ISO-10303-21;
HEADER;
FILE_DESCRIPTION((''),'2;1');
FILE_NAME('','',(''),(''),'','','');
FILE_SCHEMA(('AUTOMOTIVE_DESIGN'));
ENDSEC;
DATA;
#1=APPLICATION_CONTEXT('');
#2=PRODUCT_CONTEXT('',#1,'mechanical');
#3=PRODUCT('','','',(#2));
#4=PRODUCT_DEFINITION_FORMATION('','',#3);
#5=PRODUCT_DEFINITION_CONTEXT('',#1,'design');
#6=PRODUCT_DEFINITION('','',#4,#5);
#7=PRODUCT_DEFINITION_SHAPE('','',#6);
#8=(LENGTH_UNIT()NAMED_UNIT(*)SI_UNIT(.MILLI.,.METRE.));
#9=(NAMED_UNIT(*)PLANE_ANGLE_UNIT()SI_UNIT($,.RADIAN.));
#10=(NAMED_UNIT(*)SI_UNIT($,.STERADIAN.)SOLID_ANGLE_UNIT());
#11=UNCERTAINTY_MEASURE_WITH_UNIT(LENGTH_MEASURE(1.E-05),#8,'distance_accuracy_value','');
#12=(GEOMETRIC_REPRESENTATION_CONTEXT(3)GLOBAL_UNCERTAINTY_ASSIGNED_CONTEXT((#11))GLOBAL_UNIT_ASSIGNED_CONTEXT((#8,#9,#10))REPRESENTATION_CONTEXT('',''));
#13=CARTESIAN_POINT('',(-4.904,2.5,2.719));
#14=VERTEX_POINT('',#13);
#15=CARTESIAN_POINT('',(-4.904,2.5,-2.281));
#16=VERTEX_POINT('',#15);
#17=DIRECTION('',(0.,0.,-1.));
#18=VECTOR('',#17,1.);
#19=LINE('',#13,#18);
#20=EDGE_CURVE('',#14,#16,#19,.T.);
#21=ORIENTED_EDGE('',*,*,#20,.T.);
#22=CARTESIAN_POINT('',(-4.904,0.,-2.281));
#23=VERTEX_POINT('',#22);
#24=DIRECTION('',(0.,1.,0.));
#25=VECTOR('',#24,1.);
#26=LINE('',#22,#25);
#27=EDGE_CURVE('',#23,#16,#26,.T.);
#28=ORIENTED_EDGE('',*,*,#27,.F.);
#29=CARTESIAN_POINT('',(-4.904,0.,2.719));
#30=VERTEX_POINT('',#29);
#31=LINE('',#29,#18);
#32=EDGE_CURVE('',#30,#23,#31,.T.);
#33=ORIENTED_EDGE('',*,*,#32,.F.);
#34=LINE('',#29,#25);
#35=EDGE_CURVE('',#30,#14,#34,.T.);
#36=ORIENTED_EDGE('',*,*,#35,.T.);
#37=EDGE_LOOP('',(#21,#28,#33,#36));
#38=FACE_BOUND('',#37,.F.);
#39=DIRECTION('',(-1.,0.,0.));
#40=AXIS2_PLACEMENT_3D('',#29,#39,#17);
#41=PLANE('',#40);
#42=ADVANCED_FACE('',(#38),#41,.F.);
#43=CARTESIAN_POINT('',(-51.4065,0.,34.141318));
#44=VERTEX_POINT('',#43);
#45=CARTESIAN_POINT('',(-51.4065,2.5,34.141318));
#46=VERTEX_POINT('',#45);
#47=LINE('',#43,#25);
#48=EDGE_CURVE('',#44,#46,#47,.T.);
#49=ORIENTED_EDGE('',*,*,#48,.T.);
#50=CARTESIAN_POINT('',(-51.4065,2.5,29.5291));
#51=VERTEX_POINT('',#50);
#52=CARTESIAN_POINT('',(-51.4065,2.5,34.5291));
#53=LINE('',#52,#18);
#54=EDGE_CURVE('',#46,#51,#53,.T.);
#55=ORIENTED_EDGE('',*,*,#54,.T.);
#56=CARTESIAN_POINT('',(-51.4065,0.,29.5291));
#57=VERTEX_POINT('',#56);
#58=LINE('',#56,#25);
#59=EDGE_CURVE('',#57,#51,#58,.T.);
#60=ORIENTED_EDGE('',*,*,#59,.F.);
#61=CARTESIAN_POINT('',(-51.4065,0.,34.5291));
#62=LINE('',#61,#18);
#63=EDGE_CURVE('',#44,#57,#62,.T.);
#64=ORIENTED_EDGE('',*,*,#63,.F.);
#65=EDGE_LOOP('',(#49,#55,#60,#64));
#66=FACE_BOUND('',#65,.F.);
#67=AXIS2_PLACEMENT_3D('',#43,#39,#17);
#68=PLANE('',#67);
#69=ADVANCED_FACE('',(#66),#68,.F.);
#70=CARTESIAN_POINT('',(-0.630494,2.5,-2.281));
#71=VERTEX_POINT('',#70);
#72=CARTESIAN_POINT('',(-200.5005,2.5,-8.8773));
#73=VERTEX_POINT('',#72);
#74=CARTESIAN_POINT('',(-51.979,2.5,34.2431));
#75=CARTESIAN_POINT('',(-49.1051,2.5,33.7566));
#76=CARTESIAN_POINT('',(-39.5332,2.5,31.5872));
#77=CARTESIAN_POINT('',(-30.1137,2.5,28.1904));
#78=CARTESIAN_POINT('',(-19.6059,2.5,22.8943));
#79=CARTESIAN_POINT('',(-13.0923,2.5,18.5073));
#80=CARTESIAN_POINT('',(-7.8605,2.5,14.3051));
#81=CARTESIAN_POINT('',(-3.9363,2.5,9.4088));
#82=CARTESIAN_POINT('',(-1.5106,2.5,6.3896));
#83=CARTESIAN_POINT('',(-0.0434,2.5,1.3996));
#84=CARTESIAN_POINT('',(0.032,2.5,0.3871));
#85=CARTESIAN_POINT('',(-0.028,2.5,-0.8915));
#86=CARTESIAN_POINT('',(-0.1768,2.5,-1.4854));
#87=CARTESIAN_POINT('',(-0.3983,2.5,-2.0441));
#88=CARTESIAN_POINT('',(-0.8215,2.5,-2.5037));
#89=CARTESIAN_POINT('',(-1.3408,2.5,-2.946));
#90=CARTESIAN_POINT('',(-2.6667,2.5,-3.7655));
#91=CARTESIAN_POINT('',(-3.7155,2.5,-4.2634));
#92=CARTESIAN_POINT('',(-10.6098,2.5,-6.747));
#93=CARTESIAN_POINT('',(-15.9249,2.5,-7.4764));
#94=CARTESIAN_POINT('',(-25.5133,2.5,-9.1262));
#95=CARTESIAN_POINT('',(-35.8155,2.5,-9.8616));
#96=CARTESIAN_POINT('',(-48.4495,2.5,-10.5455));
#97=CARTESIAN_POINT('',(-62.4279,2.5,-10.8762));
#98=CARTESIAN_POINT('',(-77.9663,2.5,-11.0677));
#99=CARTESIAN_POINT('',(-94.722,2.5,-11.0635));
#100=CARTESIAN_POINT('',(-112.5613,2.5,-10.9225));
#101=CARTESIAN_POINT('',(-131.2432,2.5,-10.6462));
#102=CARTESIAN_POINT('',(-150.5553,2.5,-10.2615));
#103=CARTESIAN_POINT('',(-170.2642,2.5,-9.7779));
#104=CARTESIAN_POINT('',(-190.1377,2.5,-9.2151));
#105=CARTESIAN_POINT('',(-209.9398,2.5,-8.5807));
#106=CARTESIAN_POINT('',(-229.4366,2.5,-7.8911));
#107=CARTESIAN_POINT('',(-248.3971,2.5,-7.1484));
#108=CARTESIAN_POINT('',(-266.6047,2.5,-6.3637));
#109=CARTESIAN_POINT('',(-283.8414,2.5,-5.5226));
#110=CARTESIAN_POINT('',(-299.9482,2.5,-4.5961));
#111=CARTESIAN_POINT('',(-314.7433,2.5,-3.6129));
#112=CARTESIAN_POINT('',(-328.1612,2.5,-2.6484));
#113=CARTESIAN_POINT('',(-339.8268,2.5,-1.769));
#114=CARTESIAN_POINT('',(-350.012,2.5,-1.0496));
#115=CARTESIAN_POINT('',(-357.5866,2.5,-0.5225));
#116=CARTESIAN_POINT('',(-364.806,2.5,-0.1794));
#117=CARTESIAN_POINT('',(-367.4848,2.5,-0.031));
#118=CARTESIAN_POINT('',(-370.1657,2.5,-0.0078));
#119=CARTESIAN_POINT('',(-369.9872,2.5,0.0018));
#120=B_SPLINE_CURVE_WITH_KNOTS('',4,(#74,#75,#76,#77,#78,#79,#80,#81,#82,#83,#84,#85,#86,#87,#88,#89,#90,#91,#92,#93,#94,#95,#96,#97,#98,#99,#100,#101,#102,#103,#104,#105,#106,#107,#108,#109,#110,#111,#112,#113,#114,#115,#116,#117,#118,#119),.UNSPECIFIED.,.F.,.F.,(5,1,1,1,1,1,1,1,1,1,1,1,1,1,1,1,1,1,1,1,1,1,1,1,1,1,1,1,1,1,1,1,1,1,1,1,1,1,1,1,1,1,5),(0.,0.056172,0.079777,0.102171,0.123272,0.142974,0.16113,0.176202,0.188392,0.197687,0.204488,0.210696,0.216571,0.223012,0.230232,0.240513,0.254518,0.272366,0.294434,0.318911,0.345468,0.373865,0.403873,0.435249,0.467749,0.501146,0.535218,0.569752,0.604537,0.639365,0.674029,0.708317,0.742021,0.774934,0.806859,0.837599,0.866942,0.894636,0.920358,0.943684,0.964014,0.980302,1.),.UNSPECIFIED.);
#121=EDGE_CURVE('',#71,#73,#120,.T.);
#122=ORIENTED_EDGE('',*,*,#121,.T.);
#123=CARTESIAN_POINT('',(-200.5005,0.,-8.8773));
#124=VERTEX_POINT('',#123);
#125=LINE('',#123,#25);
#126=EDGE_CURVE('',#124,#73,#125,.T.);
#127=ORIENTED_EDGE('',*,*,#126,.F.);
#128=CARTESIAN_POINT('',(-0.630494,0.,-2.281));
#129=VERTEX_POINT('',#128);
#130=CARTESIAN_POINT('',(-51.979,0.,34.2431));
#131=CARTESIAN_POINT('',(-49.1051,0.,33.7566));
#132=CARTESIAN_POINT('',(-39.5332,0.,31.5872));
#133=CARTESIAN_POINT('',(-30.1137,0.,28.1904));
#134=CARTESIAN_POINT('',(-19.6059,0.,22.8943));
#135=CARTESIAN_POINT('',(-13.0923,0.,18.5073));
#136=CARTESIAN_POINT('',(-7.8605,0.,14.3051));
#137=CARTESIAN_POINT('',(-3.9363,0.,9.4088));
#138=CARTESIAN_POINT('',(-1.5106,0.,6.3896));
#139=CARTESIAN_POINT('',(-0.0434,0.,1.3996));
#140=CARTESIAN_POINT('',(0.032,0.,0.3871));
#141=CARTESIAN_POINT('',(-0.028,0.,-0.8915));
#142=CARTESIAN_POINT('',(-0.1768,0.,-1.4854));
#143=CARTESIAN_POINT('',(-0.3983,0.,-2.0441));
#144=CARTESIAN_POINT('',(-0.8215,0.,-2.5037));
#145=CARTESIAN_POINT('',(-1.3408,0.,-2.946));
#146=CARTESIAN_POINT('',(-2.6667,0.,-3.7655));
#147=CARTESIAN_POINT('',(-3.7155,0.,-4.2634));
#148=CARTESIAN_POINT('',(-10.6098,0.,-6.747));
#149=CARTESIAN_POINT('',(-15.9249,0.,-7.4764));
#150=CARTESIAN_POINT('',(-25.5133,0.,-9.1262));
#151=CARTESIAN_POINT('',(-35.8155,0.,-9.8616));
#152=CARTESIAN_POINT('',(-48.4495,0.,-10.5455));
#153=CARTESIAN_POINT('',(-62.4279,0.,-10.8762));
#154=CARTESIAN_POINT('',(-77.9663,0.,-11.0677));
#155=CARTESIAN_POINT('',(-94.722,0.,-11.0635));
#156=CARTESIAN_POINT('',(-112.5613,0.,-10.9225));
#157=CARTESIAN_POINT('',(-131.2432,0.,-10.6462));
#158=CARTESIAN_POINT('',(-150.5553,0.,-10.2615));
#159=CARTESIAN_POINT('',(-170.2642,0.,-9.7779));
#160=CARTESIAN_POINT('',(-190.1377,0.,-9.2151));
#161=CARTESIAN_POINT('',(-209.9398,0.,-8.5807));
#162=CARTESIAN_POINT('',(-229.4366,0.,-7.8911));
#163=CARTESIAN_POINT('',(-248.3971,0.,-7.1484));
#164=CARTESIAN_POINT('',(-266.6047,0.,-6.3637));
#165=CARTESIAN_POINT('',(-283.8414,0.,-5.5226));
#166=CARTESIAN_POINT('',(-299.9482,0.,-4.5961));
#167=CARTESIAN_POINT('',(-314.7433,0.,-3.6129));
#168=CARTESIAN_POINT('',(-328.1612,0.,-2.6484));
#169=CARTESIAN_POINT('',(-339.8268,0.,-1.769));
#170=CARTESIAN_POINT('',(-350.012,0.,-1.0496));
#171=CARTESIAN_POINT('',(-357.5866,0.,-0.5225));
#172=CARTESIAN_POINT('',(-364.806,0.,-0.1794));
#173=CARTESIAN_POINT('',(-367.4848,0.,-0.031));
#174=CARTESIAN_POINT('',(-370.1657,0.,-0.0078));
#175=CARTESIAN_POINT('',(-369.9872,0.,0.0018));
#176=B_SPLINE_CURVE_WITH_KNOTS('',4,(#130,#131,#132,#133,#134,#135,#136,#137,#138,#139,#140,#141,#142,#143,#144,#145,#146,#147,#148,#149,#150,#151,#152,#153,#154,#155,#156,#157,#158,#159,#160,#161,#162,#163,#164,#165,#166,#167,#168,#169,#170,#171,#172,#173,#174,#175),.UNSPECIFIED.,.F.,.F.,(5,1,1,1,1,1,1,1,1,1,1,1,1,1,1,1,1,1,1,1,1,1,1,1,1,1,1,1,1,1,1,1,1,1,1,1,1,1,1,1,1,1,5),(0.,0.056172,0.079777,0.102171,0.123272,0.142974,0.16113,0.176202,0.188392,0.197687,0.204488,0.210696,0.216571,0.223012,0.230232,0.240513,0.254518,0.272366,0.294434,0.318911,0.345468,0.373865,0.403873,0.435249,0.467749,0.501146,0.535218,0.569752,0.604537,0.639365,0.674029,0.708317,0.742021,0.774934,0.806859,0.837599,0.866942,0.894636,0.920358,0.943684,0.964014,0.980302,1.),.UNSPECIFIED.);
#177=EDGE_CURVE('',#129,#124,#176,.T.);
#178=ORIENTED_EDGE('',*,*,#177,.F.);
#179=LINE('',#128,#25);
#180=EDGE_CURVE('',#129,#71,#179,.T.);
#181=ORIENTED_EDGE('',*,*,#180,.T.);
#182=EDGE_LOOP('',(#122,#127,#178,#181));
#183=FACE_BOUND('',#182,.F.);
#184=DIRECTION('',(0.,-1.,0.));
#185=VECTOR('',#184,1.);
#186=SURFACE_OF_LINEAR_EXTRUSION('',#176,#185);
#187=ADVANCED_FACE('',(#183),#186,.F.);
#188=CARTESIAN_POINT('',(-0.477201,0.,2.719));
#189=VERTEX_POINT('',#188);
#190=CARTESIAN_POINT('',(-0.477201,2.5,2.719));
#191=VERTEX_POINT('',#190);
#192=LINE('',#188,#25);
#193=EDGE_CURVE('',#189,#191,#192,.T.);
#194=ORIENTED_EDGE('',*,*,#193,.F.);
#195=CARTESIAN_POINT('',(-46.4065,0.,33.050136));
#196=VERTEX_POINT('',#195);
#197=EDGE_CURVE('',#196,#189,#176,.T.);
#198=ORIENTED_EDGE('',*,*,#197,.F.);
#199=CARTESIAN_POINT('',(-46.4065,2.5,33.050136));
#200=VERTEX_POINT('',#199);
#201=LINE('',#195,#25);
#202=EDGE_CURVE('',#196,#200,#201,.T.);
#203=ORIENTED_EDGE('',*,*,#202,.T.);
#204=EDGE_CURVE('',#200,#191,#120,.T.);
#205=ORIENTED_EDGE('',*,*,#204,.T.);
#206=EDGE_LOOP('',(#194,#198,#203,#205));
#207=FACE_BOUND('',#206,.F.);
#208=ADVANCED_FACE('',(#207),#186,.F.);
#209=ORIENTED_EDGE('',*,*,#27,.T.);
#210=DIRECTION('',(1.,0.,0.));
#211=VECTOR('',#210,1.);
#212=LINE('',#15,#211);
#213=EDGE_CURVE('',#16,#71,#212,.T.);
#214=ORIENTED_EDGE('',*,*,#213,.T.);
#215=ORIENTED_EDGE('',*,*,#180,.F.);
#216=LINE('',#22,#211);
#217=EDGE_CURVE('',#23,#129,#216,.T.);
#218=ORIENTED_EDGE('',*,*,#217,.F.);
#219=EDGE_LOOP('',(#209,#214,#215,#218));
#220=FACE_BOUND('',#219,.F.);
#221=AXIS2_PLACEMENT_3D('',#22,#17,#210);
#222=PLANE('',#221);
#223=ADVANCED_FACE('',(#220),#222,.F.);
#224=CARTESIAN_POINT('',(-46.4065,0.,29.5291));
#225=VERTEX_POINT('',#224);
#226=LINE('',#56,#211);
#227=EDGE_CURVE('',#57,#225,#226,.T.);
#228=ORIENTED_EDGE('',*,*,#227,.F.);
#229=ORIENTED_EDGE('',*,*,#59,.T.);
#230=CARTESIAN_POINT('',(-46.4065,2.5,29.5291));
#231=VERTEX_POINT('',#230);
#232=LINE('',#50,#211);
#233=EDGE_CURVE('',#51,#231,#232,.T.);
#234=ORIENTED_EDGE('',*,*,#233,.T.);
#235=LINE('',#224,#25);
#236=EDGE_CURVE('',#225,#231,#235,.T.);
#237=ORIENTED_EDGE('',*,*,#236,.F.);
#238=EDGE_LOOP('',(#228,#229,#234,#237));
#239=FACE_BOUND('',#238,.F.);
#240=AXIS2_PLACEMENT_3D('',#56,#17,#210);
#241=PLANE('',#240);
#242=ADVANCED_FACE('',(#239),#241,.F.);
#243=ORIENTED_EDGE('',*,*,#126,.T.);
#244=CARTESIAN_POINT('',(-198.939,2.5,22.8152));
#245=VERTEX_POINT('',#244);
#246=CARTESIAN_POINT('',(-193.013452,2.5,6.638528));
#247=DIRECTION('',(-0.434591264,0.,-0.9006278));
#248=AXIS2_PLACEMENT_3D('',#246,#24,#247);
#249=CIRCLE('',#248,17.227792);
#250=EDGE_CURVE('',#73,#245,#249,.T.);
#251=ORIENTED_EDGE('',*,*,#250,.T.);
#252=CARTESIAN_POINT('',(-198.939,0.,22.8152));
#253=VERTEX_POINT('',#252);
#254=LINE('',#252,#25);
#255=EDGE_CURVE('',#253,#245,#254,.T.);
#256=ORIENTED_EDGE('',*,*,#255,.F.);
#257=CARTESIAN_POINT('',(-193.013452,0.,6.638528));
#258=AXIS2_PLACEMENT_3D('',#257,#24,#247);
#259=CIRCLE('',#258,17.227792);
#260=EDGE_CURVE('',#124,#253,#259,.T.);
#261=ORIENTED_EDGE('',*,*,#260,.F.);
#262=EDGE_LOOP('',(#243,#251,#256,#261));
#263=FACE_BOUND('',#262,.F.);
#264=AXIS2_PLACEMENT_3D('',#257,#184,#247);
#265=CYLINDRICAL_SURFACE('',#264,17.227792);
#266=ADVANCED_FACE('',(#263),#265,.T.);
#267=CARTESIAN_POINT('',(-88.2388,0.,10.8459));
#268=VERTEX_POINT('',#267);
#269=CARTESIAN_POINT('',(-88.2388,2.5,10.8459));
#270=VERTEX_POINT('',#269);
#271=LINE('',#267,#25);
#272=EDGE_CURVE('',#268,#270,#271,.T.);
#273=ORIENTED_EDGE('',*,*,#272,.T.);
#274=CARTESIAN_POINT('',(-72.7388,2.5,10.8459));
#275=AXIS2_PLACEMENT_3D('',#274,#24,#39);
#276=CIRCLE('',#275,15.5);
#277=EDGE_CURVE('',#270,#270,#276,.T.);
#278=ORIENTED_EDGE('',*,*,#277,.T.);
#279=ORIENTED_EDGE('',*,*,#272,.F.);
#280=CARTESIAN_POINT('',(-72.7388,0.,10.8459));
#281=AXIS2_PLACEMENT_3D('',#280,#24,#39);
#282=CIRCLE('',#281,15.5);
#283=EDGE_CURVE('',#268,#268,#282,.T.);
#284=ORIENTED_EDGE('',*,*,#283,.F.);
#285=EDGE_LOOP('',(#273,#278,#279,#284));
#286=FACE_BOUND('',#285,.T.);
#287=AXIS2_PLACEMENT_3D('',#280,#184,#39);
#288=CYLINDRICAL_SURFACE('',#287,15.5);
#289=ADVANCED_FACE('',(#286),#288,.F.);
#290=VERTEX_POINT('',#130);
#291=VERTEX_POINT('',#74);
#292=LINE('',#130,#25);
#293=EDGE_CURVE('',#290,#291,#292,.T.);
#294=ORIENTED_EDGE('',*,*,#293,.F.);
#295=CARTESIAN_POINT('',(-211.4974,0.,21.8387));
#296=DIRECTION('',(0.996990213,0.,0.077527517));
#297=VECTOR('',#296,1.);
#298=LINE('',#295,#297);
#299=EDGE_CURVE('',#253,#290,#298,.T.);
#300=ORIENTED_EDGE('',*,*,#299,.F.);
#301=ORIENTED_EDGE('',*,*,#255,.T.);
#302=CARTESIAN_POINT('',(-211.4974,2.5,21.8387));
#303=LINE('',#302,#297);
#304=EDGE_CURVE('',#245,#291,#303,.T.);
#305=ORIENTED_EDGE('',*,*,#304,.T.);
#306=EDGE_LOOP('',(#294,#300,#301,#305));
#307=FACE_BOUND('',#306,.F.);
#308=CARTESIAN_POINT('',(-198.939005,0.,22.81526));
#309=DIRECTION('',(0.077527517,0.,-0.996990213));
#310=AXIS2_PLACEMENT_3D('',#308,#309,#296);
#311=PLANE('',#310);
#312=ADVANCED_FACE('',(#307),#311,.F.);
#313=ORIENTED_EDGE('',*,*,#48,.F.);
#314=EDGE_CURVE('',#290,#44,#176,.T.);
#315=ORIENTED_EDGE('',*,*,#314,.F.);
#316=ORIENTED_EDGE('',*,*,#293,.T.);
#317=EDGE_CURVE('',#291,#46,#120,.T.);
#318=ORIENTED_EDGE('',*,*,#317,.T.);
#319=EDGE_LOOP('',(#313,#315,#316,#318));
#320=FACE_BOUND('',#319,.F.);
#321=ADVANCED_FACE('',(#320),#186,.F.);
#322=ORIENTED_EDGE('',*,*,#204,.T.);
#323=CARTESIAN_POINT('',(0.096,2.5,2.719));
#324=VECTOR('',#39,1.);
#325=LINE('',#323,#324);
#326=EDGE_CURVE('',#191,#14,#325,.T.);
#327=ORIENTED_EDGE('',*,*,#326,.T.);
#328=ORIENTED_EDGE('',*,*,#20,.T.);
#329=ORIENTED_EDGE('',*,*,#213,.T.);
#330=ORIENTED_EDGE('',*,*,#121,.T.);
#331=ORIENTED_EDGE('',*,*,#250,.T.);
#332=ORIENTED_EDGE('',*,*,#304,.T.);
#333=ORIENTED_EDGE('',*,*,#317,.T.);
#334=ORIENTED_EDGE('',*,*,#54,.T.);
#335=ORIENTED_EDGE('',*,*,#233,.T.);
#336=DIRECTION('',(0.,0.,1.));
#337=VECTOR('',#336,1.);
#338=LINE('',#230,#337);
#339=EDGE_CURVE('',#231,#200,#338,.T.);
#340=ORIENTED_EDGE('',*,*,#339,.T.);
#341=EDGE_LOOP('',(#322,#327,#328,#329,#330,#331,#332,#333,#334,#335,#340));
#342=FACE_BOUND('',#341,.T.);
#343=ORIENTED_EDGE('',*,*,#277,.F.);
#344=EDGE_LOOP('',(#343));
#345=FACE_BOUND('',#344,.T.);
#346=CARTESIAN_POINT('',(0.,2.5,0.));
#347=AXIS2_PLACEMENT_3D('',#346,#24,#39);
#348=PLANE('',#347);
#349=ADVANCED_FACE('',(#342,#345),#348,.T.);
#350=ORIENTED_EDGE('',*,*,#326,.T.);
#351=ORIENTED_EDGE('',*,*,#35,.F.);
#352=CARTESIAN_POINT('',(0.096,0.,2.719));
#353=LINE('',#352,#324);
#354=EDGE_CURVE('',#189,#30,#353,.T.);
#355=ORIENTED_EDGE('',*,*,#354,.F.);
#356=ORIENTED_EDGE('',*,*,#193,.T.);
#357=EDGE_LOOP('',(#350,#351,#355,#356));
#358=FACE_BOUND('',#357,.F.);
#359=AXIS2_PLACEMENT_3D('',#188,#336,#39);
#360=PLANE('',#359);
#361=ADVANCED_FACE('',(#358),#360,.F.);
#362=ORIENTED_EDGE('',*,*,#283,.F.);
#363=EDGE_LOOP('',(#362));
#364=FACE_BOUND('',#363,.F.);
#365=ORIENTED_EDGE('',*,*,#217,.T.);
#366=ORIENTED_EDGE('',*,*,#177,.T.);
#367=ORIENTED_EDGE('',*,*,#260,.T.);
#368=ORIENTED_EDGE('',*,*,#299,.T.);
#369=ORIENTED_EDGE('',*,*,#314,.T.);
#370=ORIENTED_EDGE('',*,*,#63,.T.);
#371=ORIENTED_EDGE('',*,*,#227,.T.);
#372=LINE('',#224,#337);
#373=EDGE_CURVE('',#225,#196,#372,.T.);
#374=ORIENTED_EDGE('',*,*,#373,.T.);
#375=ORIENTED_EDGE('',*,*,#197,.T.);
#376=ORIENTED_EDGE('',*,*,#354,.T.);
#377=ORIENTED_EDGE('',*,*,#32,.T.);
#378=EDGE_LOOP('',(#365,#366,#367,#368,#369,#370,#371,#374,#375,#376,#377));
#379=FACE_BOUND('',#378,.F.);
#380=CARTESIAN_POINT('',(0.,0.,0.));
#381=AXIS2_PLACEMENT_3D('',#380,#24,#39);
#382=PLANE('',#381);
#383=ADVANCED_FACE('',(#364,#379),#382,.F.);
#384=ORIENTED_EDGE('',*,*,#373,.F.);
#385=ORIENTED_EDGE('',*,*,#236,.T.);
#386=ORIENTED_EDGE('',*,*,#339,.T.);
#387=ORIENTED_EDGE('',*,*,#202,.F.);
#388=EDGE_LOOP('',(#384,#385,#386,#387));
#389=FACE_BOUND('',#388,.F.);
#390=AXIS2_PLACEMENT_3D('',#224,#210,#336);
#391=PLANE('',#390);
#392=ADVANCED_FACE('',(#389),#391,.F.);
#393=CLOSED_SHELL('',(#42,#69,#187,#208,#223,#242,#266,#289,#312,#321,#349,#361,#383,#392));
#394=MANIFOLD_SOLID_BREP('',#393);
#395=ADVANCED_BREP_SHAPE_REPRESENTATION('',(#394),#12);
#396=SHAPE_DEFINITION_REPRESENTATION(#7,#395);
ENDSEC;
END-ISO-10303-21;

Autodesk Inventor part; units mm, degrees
ref_plane "YZ Plane" through (0, 0, 0) normal (1, 0, 0) x (0, 1, 0)
ref_plane "XZ Plane" through (0, 0, 0) normal (0, 1, 0) x (-1, 0, 0)
ref_plane "XY Plane" through (0, 0, 0) normal (0, 0, 1) x (1, 0, 0)
sketch "Sketch1" plane through (0, 0, 0) normal (0, 1, 0) x (-1, 0, 0)
  spline S0 degree 4 poles (51.979, 34.2431) (49.1051, 33.7566) (39.5332, 31.5872) (30.1137, 28.1904) (19.6059, 22.8943) (13.0923, 18.5073) (7.8605, 14.3051) (3.9363, 9.4088) (1.5106, 6.3896) (0.0434, 1.3996) (-0.032, 0.3871) (0.028, -0.8915) (0.1768, -1.4854) (0.3983, -2.0441) (0.8215, -2.5037) (1.3408, -2.946) (2.6667, -3.7655) (3.7155, -4.2634) (10.6098, -6.747) (15.9249, -7.4764) (25.5133, -9.1262) (35.8155, -9.8616) (48.4495, -10.5455) (62.4279, -10.8762) (77.9663, -11.0677) (94.722, -11.0635) (112.5613, -10.9225) (131.2432, -10.6462) (150.5553, -10.2615) (170.2642, -9.7779) (190.1377, -9.2151) (209.9398, -8.5807) (229.4366, -7.8911) (248.3971, -7.1484) (266.6047, -6.3637) (283.8414, -5.5226) (299.9482, -4.5961) (314.7433, -3.6129) (328.1612, -2.6484) (339.8268, -1.769) (350.012, -1.0496) (357.5866, -0.5225) (364.806, -0.1794) (367.4848, -0.031) (370.1657, -0.0078) (369.9872, 0.0018) knots 0 0 0 0 0 0.056172 0.079777 0.102171 0.123272 0.142974 0.16113 0.176202 0.188392 0.197687 0.204488 0.210696 0.216571 0.223012 0.230232 0.240513 0.254518 0.272366 0.294434 0.318911 0.345468 0.373865 0.403873 0.435249 0.467749 0.501146 0.535218 0.569752 0.604537 0.639365 0.674029 0.708317 0.742021 0.774934 0.806859 0.837599 0.866942 0.894636 0.920358 0.943684 0.964014 0.980302 1 1 1 1 1
  circle A0 centre (370, 0) radius 160 construction
  line L0 (370, 0) -> (211.4974, 21.8387)
  circle A1 centre (211.4974, 21.8387) radius 160 construction
  line L1 (211.4974, 21.8387) -> (51.979, 34.2431)
  line L2 (-0.096, 2.719) -> (4.904, 2.719)
  line L3 (4.904, 2.719) -> (4.904, -2.281)
  line L4 (4.904, -2.281) -> (-0.096, -2.281)
  line L5 (-0.096, -2.281) -> (-0.096, 2.719)
  circle A2 centre (369.9872, 0.0018) radius 3 construction
  line L6 (365.7713, 2.7478) -> (370.7713, 2.7478)
  line L7 (370.7713, 2.7478) -> (370.7713, -2.2522)
  line L8 (370.7713, -2.2522) -> (365.7713, -2.2522)
  line L9 (365.7713, -2.2522) -> (365.7713, 2.7478)
  line L10 (211.4974, 21.8387) -> (210.0997, -8.5616) construction
  arc A3 (200.5005, -8.8773) -> (198.939, 22.8152) centre (193.0135, 6.6385) ccw
  arc A4 (220.3414, 20.6201) -> (219.1363, -8.2496) centre (229.7182, 5.7687) ccw
  line L11 (46.4065, 34.5291) -> (51.4065, 34.5291)
  line L12 (51.4065, 34.5291) -> (51.4065, 29.5291)
  line L13 (51.4065, 29.5291) -> (46.4065, 29.5291)
  line L14 (46.4065, 29.5291) -> (46.4065, 34.5291)
  line L15 (46.4065, 34.5291) -> (51.4065, 29.5291) construction
  line L16 (51.4065, 34.5291) -> (46.4065, 29.5291) construction
  circle A5 centre (229.7182, 5.7687) radius 11.5
  circle A6 centre (229.7182, 5.7687) radius 4
  circle A7 centre (72.7388, 10.8459) radius 15.5
  point P0 (0, 0)
  point P1 (370, 0)
  point P2 (35.937, 30.0257)
  point P3 (27.0238, 26.4761)
  point P4 (19.2974, 22.4624)
  point P5 (12.8156, 18.139)
  point P6 (7.6237, 13.6489)
  point P7 (3.7499, 9.1521)
  point P8 (1.2115, 4.8535)
  point P9 (0.0668, 1.0195)
  point P10 (0.0003, -0.0638)
  point P11 (0.0755, -0.9849)
  point P12 (0.2106, -1.5356)
  point P13 (0.4302, -2.0122)
  point P14 (0.7739, -2.4345)
  point P15 (1.2488, -2.8423)
  point P16 (2.1566, -3.4383)
  point P17 (3.2773, -4.0196)
  point P18 (8.2772, -5.8071)
  point P19 (15.3669, -7.4261)
  point P20 (24.3167, -8.7706)
  point P21 (35.0526, -9.7678)
  point P22 (47.5438, -10.4262)
  point P23 (61.6814, -10.8267)
  point P24 (77.2847, -11.0213)
  point P25 (94.162, -11.0379)
  point P26 (112.1091, -10.9014)
  point P27 (130.911, -10.6315)
  point P28 (150.3435, -10.2474)
  point P29 (170.176, -9.7646)
  point P30 (190.1737, -9.1986)
  point P31 (229.7182, -7.8653)
  point P32 (248.7963, -7.1166)
  point P33 (267.1071, -6.3194)
  point P34 (284.4371, -5.4606)
  point P35 (300.619, -4.5258)
  point P36 (315.5184, -3.5432)
  point P37 (328.988, -2.5786)
  point P38 (340.8625, -1.7041)
  point P39 (350.9622, -0.9861)
  point P40 (359.0984, -0.4682)
  point P41 (365.0855, -0.1602)
  point P42 (368.7597, -0.0285)
  point P43 (370, 0)
  point P44 (0.4773, 2.719)
  point P45 (0.6305, -2.281)
  point P46 (365.7713, -0.1283)
  point P47 (368.4073, 0.2194)
  point P48 (48.9065, 32.0291)
  point P49 (112.1091, -11.9485)
  point P50 (365.7713, 0.5826)
  point P51 (51.4065, 34.1414)
  point P52 (46.4065, 33.0501)
  dimension "d5" = 160
  dimension "d8" = 160
  dimension "d17" = 5
  dimension "d18" = 5
  dimension "d25" = 6
  dimension "d26" = 5
  dimension "d27" = 5
  dimension "d36" = 5
  dimension "d37" = 5
  dimension "d41" = 23
  dimension "d50" = 368.7594
  dimension "d60" = 8
  dimension "d62" = 31
extrude "Extrusion4" add sketch "Sketch1" along normal blind 2.5 contours S0 L4 L3 L2 L14 L13 L12 L1 A3
properties part number "airfoil blueprint"
